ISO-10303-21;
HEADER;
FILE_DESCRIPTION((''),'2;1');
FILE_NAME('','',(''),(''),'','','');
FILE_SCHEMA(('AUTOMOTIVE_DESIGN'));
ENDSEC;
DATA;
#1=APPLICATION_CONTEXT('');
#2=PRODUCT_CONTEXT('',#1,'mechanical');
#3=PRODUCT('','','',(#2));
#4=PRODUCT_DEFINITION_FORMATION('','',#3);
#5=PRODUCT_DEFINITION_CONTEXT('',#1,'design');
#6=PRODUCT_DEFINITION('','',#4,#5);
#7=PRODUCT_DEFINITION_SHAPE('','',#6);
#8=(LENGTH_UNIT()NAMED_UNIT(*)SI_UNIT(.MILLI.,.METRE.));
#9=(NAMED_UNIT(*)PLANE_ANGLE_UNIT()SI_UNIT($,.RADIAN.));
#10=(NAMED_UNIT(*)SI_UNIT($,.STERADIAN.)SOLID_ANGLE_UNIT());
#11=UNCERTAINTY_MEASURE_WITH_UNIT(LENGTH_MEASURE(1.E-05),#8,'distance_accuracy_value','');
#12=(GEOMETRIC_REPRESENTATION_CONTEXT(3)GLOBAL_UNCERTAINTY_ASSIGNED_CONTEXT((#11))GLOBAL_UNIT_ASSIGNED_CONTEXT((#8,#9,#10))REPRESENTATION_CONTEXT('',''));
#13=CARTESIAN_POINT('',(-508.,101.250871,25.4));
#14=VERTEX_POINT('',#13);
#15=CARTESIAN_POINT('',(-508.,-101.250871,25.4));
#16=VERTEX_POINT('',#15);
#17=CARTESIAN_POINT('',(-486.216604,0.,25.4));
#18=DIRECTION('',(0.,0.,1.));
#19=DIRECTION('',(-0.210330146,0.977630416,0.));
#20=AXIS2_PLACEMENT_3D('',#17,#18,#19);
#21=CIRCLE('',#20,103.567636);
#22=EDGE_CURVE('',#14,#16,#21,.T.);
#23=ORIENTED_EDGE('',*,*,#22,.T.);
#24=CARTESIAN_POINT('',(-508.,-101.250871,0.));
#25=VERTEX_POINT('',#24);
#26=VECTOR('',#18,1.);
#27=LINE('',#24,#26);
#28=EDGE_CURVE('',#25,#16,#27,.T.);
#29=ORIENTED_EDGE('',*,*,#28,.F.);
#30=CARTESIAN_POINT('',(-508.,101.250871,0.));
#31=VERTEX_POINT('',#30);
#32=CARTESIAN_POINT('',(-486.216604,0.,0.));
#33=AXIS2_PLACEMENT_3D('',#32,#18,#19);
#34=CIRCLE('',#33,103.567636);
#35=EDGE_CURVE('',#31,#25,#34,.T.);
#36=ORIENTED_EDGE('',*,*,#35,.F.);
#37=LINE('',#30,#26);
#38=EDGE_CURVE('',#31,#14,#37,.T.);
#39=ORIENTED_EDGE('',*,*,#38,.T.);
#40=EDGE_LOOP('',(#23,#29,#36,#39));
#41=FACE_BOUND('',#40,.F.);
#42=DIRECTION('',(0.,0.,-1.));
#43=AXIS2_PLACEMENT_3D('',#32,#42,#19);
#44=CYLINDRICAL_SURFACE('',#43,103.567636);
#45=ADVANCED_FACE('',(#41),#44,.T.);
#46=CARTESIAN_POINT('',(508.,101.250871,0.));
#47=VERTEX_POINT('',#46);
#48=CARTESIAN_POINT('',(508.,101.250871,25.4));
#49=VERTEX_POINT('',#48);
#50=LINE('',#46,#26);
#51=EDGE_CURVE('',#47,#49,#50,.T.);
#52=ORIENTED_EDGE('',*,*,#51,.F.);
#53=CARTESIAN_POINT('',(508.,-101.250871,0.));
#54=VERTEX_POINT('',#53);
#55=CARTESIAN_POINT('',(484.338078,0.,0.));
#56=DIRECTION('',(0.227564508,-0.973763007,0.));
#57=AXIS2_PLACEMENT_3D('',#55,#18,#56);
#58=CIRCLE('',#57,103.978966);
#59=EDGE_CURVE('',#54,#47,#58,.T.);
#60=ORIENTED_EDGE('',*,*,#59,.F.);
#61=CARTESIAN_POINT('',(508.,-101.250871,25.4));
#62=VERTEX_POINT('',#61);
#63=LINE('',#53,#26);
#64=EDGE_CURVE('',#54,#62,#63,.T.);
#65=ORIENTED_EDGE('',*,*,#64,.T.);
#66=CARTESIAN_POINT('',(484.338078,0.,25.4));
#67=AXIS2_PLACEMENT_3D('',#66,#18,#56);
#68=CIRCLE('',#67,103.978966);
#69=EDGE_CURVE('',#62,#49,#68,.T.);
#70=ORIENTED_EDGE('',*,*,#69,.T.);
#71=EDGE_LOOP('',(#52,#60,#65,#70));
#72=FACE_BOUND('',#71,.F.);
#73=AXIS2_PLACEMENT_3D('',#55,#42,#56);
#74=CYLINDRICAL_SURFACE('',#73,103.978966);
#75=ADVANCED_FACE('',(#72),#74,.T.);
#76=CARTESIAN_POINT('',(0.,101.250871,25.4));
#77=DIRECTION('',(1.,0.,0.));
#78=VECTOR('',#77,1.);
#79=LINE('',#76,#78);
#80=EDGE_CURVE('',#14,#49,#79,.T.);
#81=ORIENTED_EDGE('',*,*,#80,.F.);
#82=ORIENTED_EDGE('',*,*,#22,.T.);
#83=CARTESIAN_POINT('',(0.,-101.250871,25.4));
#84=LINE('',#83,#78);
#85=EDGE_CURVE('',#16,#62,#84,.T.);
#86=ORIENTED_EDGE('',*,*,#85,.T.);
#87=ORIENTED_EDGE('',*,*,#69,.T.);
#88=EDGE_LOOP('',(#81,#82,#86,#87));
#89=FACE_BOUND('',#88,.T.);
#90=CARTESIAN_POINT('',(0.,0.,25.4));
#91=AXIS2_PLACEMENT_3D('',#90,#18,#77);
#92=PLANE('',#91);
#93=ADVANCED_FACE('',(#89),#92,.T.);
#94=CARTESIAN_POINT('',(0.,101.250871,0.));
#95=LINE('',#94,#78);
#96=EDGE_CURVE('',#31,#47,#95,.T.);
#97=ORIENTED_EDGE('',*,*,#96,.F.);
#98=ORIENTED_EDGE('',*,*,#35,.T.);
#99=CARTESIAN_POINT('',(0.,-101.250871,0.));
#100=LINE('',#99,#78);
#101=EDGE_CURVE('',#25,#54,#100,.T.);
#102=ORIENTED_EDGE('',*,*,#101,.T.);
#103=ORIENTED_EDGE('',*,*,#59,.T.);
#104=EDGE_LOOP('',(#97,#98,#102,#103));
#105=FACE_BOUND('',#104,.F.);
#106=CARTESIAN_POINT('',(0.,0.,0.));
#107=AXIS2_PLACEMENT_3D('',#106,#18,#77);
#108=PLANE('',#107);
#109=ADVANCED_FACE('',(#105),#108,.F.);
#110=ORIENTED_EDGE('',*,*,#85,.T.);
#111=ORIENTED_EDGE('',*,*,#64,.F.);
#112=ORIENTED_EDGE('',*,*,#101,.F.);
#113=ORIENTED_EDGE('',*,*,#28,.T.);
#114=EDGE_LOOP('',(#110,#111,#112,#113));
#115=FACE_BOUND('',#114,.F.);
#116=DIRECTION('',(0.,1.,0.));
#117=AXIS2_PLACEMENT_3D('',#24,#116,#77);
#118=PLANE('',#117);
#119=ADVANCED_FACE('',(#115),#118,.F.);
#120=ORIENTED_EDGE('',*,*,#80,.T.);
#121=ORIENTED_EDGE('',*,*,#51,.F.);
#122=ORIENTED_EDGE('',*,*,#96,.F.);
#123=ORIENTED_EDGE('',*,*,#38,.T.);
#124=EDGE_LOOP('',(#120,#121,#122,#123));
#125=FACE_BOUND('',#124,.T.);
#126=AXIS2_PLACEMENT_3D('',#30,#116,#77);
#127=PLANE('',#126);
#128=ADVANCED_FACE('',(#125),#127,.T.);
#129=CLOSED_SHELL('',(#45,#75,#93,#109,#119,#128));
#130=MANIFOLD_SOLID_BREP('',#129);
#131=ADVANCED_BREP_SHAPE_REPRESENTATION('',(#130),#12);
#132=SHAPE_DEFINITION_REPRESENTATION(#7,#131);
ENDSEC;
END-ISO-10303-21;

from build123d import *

# Parameters (mm, degrees)
F0_W     = 1016
F0_H     = 202.501742
F1_DEPTH = 25.4


with BuildPart() as f1:
    # F0 (on Top) → F1 (new body)
    with BuildSketch(Plane.XY):
        Rectangle(F0_W, F0_H)
        with BuildLine():
            Line((-508, -101.250871), (-508, 101.250871))
            ThreePointArc((-508, 101.250871), (-589.78424, 0), (-508, -101.250871))
        make_face()
        with BuildLine():
            ThreePointArc((508, -101.250871), (588.317044, 0), (508, 101.250871))
            Line((508, 101.250871), (508, -101.250871))
        make_face()
    extrude(amount=F1_DEPTH)


solid = f1.part
